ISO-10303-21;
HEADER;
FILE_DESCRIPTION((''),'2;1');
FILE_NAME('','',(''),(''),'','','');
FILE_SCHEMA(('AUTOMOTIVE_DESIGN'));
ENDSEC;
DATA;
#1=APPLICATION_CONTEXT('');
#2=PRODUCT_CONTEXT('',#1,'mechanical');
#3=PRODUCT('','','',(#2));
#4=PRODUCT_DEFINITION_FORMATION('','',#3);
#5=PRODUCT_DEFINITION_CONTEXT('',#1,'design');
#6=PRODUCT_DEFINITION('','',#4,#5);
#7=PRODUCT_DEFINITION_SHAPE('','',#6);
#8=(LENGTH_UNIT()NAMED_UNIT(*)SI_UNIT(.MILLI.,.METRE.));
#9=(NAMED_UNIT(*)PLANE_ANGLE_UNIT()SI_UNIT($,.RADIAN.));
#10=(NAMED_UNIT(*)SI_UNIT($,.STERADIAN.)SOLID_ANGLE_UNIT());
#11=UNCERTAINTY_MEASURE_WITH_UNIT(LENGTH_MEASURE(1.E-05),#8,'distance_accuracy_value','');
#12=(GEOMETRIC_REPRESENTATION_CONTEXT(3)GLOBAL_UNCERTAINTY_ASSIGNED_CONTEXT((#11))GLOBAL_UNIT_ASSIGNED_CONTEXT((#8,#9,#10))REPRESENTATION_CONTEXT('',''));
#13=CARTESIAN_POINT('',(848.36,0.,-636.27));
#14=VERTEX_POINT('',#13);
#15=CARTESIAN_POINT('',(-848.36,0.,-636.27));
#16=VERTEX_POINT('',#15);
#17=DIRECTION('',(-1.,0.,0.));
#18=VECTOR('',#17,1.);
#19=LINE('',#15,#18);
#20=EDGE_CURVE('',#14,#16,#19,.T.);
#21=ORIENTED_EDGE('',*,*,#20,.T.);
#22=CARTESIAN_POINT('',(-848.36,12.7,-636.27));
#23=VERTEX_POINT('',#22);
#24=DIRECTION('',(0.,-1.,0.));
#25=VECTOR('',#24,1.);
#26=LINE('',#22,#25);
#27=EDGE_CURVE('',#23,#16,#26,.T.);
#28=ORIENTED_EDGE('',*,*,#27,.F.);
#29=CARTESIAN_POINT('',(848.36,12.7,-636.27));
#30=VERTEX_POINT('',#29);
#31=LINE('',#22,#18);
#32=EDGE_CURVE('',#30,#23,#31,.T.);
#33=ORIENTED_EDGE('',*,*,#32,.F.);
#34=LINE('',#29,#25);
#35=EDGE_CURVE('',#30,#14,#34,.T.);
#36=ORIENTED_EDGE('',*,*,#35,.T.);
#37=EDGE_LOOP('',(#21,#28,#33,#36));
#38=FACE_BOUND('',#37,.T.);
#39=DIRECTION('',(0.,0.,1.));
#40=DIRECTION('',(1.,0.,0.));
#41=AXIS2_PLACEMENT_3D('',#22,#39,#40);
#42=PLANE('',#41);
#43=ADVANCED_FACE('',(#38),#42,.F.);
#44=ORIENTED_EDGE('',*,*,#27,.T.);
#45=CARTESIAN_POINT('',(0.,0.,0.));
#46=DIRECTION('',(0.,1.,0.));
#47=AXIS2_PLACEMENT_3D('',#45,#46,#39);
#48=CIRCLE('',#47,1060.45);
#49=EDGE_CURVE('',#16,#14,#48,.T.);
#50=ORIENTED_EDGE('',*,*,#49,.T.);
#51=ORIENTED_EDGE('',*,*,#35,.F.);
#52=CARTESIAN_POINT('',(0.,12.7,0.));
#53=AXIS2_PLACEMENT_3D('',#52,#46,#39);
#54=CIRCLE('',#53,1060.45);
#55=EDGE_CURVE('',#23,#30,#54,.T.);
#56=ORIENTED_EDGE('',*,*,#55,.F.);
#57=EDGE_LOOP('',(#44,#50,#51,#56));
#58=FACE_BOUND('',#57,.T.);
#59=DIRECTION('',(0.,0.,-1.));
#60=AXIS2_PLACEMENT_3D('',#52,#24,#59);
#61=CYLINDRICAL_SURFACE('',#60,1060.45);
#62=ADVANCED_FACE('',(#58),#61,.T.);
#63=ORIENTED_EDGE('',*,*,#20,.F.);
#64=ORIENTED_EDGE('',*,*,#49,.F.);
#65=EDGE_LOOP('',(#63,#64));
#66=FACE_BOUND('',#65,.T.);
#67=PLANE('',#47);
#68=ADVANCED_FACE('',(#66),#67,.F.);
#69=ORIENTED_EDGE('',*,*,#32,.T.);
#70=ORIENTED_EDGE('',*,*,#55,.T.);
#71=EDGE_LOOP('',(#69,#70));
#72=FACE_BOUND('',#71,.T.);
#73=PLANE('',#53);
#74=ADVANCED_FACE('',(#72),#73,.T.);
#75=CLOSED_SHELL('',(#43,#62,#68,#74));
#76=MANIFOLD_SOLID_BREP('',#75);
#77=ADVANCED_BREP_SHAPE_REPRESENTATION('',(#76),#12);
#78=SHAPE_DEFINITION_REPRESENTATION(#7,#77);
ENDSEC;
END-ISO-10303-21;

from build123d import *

# Parameters (mm, degrees)
BOSS_EXTRUDE1_DEPTH = 12.7


with BuildPart() as part:
    # Sketch1 → Boss-Extrude1 (new body)
    with BuildSketch(Plane(origin=(0, 0, 0), x_dir=(1, 0, 0), z_dir=(0, 1, 0))):
        with BuildLine():
            Line((-848.36, 636.27), (848.36, 636.27))
            ThreePointArc((848.36, 636.27), (0, -1060.45), (-848.36, 636.27))
        make_face()
    extrude(amount=BOSS_EXTRUDE1_DEPTH)


solid = part.part
